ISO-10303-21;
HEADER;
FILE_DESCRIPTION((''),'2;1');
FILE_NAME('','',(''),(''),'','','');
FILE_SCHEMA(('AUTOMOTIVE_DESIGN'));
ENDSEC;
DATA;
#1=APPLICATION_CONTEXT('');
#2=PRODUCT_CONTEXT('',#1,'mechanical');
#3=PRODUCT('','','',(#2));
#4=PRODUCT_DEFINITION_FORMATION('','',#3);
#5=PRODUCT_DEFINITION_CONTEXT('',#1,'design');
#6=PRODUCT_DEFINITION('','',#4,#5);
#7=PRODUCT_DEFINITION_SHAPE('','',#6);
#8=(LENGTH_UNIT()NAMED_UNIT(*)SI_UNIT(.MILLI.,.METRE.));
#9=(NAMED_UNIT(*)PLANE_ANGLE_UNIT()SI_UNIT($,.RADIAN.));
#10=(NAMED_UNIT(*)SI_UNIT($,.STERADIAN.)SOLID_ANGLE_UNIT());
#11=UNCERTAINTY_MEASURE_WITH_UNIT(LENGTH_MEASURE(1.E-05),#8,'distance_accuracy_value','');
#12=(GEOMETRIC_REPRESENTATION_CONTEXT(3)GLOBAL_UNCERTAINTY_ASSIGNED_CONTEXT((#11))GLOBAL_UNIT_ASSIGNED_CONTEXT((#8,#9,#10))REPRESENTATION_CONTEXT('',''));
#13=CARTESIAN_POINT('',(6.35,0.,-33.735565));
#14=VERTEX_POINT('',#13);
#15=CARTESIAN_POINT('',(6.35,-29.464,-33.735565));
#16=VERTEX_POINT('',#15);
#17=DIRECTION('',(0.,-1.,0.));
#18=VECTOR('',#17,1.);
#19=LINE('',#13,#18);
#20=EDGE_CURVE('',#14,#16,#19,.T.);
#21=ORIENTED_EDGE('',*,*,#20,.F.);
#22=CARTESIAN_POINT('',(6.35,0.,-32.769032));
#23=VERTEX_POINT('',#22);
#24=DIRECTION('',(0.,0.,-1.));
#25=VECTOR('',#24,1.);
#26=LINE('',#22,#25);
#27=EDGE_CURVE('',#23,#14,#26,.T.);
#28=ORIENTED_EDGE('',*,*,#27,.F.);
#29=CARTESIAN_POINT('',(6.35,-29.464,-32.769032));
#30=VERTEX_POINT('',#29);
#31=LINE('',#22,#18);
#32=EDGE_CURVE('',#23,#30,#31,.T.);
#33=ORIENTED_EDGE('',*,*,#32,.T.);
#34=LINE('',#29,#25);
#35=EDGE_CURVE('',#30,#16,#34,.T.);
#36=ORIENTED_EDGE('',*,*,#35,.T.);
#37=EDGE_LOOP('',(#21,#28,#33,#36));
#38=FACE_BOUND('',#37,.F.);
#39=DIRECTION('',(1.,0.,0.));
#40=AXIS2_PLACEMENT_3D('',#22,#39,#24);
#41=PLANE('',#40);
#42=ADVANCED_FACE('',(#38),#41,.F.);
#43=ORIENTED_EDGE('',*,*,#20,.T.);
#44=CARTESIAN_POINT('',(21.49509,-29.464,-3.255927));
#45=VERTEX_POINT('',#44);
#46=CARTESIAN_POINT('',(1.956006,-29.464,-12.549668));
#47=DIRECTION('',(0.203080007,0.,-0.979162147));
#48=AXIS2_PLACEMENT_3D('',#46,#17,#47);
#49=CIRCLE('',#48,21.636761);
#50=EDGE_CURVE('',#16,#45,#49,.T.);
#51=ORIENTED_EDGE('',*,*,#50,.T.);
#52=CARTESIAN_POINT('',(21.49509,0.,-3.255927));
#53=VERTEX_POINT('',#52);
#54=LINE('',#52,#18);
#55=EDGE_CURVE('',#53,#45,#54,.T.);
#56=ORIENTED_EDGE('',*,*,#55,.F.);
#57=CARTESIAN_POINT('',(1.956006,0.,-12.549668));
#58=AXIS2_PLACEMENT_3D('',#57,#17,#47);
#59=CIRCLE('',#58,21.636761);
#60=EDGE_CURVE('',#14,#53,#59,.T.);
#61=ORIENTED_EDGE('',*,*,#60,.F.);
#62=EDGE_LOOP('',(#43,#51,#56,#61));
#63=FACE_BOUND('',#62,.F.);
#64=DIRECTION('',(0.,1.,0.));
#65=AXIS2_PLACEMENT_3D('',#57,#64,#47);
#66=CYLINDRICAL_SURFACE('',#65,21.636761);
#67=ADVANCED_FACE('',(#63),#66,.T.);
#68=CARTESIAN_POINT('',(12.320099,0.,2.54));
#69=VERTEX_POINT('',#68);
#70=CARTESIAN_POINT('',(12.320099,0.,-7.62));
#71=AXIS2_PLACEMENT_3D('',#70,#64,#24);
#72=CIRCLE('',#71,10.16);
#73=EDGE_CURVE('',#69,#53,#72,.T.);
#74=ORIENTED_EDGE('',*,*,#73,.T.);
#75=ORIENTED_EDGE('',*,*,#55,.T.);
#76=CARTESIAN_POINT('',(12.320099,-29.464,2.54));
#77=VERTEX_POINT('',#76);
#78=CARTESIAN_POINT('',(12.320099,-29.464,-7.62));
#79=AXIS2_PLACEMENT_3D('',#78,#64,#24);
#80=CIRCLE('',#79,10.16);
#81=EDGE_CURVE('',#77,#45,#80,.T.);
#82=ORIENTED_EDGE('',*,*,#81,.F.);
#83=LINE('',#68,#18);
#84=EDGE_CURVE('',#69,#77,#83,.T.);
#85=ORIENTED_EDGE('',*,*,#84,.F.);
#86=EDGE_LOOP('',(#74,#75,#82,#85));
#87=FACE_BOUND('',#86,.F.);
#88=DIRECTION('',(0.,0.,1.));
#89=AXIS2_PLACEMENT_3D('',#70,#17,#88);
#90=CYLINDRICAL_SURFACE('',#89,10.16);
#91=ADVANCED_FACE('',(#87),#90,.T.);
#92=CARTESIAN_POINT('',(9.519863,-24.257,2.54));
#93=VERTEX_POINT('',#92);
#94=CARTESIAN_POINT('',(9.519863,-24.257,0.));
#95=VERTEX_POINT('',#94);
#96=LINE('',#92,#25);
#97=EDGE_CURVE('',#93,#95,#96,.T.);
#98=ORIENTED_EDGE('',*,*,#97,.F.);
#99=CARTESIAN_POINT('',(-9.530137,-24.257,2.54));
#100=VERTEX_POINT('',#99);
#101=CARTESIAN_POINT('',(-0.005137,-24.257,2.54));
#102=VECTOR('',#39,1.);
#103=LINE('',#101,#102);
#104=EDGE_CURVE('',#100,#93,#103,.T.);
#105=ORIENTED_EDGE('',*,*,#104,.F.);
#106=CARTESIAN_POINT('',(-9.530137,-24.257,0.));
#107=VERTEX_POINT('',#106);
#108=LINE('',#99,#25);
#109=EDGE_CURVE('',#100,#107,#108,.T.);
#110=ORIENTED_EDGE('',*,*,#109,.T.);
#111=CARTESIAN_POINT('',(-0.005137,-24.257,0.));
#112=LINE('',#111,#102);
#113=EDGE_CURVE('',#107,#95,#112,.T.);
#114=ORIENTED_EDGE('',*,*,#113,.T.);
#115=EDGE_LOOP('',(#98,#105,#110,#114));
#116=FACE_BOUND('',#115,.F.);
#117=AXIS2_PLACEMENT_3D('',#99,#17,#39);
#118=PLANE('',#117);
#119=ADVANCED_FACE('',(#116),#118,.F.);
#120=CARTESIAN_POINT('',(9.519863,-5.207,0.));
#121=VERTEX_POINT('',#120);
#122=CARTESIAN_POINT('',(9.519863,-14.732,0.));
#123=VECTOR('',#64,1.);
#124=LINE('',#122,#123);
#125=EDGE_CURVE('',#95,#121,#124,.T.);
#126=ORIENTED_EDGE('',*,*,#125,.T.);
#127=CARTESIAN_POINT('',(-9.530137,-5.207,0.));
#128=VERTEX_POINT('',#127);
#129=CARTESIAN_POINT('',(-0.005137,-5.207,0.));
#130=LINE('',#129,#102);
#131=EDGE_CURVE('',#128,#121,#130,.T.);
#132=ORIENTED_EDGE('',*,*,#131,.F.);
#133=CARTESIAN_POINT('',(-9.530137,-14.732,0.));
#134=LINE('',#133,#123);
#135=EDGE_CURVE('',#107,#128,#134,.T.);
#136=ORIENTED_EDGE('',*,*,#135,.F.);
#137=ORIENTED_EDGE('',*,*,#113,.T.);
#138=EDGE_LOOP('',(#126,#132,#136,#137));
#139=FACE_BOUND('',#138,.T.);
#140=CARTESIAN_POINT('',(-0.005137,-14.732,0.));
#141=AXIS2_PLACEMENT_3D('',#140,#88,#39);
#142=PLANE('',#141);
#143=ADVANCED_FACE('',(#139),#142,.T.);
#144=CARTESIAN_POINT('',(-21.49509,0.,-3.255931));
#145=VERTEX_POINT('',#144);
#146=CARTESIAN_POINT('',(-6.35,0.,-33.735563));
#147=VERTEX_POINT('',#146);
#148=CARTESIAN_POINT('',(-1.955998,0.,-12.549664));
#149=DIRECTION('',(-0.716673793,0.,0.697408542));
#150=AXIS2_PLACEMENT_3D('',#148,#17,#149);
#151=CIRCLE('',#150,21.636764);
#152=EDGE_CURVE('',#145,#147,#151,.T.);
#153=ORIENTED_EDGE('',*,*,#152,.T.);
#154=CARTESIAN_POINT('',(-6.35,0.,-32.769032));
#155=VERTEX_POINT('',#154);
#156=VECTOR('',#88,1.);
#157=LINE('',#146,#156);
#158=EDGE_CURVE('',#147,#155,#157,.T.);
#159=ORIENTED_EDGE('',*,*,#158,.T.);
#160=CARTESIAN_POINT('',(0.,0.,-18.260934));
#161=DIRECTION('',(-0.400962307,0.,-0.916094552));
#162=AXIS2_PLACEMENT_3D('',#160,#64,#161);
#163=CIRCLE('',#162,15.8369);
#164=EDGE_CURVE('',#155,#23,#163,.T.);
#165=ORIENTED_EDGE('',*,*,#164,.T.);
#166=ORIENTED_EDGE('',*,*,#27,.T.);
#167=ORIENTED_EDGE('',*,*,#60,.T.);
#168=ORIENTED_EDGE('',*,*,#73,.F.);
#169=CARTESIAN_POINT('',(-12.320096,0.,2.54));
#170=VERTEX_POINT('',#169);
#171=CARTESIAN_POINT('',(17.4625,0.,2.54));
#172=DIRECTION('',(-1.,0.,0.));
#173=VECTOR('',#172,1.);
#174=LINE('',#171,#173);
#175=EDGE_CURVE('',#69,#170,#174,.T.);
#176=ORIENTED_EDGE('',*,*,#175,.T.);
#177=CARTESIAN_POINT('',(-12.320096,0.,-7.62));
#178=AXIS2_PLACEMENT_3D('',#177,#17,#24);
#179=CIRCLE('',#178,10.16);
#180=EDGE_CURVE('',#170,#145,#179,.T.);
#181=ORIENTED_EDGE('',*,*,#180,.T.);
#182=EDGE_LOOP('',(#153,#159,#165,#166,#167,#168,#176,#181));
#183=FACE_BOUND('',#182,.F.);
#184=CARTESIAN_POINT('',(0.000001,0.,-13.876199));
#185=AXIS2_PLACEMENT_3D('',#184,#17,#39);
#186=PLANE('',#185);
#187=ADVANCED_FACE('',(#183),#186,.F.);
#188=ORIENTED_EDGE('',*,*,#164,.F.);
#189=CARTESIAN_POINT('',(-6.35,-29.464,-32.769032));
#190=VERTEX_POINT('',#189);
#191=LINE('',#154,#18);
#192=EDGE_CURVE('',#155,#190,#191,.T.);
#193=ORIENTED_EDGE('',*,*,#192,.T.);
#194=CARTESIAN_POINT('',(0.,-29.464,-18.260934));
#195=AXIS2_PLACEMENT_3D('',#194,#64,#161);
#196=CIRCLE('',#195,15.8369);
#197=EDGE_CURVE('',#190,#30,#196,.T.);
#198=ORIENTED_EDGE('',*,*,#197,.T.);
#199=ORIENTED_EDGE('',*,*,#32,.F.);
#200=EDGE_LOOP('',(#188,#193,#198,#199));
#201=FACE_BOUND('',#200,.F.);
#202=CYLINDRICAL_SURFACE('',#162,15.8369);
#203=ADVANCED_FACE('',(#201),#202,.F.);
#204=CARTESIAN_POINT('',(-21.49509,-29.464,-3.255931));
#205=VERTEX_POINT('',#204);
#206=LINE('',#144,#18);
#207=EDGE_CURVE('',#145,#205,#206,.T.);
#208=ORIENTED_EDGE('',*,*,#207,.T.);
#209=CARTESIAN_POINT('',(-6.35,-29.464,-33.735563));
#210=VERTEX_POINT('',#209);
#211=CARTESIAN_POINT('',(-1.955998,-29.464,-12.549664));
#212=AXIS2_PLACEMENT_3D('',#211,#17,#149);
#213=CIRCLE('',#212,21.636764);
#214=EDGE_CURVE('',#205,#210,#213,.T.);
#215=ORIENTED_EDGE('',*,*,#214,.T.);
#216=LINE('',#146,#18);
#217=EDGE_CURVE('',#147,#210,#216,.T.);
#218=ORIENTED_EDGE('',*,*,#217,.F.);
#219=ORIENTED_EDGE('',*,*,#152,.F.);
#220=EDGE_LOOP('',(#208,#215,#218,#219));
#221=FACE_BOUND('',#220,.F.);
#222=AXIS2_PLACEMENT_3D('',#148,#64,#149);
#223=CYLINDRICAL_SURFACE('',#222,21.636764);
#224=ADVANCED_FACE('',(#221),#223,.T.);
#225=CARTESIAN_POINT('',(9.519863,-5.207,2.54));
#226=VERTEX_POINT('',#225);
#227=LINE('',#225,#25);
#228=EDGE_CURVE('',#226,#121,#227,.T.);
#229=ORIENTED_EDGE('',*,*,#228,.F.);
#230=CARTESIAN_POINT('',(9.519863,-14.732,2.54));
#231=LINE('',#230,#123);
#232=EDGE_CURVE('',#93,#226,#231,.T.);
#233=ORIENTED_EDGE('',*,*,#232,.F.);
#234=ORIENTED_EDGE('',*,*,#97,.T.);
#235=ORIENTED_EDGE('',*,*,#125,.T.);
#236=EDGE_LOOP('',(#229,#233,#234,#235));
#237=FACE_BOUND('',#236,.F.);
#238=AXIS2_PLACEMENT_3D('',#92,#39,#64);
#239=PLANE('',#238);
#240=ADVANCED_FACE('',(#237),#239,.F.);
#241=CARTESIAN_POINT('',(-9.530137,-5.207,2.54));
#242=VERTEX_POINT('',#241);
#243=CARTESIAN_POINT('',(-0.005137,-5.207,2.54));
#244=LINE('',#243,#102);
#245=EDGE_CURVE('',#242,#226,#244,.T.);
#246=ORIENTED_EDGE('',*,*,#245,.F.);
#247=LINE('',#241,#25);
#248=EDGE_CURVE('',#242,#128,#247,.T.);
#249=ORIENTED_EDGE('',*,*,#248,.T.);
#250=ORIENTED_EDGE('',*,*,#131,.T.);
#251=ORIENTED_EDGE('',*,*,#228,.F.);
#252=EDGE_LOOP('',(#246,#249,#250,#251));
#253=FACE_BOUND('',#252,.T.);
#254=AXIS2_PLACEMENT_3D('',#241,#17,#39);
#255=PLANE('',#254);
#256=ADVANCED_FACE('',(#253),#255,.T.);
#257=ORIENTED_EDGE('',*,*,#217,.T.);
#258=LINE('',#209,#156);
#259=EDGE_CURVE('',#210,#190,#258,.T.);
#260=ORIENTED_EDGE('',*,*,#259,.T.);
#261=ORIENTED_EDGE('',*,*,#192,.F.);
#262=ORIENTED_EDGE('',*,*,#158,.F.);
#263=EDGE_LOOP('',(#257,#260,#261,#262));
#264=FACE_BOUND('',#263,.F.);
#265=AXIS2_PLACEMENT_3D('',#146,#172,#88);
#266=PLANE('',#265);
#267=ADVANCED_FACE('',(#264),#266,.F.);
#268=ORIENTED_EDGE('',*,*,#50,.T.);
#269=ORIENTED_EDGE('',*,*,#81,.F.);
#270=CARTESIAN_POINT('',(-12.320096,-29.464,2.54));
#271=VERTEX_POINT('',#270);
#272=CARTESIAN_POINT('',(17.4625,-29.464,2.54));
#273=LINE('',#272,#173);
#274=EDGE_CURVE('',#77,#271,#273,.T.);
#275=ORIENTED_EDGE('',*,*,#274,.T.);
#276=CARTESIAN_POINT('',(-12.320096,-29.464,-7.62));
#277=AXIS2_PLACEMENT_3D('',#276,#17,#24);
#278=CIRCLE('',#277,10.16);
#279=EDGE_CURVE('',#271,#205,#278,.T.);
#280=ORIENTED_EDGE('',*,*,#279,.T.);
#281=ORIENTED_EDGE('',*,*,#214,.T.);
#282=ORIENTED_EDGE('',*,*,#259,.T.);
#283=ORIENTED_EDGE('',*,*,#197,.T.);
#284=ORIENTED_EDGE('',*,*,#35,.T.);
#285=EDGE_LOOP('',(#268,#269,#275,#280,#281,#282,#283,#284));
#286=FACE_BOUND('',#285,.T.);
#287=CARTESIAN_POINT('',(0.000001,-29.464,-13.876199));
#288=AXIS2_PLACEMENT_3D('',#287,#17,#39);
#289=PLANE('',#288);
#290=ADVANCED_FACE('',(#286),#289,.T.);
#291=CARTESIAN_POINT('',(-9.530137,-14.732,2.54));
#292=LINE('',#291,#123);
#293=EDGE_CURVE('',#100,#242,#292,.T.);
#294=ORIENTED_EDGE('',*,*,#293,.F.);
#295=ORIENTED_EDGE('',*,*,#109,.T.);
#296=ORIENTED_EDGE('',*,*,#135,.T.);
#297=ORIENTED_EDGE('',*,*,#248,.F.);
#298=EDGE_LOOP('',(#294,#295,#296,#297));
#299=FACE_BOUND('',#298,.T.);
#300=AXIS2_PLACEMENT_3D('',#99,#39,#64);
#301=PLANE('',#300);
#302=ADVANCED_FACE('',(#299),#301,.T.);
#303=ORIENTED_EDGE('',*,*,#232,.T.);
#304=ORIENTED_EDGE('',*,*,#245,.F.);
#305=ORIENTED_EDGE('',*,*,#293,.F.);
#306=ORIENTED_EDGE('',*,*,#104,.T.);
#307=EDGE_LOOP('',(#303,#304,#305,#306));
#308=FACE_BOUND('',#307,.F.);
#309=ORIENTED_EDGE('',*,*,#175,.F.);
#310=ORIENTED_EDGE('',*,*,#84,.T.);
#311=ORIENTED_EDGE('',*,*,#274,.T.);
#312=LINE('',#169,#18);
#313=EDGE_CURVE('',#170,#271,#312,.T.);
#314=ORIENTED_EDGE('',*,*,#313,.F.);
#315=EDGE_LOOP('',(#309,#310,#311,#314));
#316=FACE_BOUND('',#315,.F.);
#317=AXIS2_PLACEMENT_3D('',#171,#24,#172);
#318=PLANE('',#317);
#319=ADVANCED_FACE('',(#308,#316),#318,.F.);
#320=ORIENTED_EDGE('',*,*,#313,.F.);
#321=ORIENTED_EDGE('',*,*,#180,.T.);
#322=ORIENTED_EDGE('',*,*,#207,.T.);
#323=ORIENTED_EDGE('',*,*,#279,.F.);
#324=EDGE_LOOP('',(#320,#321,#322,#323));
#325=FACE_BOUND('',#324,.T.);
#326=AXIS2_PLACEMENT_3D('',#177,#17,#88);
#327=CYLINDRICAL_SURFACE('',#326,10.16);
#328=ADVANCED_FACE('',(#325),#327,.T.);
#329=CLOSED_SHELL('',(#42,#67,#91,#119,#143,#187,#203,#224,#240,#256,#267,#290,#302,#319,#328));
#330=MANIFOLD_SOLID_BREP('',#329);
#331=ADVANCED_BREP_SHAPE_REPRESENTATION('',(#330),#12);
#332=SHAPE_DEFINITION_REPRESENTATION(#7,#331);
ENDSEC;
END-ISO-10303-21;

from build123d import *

# Parameters (mm, degrees)
F1_DEPTH = 29.464
F2_R     = 10.16
F3_W     = 19.05
F3_H     = 19.05
F4_DEPTH = 2.54


with BuildPart() as f1:
    # F0 (on Front) → F1 (new body)
    with BuildSketch(Plane.XZ):
        with BuildLine():
            Line((17.4625, 2.54), (-17.4625, 2.54))
            ThreePointArc((-17.4625, 2.54), (-22.643836, -18.887087), (-6.35, -33.735563))
            Line((-6.35, -33.735563), (-6.35, -32.769032))
            ThreePointArc((-6.35, -32.769032), (0, -2.424034), (6.35, -32.769032))
            Line((6.35, -32.769032), (6.35, -33.735565))
            ThreePointArc((6.35, -33.735565), (22.643841, -18.88709), (17.4625, 2.54))
        make_face()
    extrude(amount=F1_DEPTH)

    # F2
    f2_edges = [f1.edges().sort_by_distance(p)[0] for p in [
        (-17.4625, -14.732, 2.54),
        (17.4625, -14.732, 2.54),
    ]]
    fillet(f2_edges, radius=F2_R)

    # F3 (on face) → F4 (cut)
    with BuildSketch(Plane.XY.offset(2.54)):
        with Locations((-0.005137, -14.732)):
            Rectangle(F3_W, F3_H)
    extrude(amount=-F4_DEPTH, mode=Mode.SUBTRACT)


solid = f1.part
